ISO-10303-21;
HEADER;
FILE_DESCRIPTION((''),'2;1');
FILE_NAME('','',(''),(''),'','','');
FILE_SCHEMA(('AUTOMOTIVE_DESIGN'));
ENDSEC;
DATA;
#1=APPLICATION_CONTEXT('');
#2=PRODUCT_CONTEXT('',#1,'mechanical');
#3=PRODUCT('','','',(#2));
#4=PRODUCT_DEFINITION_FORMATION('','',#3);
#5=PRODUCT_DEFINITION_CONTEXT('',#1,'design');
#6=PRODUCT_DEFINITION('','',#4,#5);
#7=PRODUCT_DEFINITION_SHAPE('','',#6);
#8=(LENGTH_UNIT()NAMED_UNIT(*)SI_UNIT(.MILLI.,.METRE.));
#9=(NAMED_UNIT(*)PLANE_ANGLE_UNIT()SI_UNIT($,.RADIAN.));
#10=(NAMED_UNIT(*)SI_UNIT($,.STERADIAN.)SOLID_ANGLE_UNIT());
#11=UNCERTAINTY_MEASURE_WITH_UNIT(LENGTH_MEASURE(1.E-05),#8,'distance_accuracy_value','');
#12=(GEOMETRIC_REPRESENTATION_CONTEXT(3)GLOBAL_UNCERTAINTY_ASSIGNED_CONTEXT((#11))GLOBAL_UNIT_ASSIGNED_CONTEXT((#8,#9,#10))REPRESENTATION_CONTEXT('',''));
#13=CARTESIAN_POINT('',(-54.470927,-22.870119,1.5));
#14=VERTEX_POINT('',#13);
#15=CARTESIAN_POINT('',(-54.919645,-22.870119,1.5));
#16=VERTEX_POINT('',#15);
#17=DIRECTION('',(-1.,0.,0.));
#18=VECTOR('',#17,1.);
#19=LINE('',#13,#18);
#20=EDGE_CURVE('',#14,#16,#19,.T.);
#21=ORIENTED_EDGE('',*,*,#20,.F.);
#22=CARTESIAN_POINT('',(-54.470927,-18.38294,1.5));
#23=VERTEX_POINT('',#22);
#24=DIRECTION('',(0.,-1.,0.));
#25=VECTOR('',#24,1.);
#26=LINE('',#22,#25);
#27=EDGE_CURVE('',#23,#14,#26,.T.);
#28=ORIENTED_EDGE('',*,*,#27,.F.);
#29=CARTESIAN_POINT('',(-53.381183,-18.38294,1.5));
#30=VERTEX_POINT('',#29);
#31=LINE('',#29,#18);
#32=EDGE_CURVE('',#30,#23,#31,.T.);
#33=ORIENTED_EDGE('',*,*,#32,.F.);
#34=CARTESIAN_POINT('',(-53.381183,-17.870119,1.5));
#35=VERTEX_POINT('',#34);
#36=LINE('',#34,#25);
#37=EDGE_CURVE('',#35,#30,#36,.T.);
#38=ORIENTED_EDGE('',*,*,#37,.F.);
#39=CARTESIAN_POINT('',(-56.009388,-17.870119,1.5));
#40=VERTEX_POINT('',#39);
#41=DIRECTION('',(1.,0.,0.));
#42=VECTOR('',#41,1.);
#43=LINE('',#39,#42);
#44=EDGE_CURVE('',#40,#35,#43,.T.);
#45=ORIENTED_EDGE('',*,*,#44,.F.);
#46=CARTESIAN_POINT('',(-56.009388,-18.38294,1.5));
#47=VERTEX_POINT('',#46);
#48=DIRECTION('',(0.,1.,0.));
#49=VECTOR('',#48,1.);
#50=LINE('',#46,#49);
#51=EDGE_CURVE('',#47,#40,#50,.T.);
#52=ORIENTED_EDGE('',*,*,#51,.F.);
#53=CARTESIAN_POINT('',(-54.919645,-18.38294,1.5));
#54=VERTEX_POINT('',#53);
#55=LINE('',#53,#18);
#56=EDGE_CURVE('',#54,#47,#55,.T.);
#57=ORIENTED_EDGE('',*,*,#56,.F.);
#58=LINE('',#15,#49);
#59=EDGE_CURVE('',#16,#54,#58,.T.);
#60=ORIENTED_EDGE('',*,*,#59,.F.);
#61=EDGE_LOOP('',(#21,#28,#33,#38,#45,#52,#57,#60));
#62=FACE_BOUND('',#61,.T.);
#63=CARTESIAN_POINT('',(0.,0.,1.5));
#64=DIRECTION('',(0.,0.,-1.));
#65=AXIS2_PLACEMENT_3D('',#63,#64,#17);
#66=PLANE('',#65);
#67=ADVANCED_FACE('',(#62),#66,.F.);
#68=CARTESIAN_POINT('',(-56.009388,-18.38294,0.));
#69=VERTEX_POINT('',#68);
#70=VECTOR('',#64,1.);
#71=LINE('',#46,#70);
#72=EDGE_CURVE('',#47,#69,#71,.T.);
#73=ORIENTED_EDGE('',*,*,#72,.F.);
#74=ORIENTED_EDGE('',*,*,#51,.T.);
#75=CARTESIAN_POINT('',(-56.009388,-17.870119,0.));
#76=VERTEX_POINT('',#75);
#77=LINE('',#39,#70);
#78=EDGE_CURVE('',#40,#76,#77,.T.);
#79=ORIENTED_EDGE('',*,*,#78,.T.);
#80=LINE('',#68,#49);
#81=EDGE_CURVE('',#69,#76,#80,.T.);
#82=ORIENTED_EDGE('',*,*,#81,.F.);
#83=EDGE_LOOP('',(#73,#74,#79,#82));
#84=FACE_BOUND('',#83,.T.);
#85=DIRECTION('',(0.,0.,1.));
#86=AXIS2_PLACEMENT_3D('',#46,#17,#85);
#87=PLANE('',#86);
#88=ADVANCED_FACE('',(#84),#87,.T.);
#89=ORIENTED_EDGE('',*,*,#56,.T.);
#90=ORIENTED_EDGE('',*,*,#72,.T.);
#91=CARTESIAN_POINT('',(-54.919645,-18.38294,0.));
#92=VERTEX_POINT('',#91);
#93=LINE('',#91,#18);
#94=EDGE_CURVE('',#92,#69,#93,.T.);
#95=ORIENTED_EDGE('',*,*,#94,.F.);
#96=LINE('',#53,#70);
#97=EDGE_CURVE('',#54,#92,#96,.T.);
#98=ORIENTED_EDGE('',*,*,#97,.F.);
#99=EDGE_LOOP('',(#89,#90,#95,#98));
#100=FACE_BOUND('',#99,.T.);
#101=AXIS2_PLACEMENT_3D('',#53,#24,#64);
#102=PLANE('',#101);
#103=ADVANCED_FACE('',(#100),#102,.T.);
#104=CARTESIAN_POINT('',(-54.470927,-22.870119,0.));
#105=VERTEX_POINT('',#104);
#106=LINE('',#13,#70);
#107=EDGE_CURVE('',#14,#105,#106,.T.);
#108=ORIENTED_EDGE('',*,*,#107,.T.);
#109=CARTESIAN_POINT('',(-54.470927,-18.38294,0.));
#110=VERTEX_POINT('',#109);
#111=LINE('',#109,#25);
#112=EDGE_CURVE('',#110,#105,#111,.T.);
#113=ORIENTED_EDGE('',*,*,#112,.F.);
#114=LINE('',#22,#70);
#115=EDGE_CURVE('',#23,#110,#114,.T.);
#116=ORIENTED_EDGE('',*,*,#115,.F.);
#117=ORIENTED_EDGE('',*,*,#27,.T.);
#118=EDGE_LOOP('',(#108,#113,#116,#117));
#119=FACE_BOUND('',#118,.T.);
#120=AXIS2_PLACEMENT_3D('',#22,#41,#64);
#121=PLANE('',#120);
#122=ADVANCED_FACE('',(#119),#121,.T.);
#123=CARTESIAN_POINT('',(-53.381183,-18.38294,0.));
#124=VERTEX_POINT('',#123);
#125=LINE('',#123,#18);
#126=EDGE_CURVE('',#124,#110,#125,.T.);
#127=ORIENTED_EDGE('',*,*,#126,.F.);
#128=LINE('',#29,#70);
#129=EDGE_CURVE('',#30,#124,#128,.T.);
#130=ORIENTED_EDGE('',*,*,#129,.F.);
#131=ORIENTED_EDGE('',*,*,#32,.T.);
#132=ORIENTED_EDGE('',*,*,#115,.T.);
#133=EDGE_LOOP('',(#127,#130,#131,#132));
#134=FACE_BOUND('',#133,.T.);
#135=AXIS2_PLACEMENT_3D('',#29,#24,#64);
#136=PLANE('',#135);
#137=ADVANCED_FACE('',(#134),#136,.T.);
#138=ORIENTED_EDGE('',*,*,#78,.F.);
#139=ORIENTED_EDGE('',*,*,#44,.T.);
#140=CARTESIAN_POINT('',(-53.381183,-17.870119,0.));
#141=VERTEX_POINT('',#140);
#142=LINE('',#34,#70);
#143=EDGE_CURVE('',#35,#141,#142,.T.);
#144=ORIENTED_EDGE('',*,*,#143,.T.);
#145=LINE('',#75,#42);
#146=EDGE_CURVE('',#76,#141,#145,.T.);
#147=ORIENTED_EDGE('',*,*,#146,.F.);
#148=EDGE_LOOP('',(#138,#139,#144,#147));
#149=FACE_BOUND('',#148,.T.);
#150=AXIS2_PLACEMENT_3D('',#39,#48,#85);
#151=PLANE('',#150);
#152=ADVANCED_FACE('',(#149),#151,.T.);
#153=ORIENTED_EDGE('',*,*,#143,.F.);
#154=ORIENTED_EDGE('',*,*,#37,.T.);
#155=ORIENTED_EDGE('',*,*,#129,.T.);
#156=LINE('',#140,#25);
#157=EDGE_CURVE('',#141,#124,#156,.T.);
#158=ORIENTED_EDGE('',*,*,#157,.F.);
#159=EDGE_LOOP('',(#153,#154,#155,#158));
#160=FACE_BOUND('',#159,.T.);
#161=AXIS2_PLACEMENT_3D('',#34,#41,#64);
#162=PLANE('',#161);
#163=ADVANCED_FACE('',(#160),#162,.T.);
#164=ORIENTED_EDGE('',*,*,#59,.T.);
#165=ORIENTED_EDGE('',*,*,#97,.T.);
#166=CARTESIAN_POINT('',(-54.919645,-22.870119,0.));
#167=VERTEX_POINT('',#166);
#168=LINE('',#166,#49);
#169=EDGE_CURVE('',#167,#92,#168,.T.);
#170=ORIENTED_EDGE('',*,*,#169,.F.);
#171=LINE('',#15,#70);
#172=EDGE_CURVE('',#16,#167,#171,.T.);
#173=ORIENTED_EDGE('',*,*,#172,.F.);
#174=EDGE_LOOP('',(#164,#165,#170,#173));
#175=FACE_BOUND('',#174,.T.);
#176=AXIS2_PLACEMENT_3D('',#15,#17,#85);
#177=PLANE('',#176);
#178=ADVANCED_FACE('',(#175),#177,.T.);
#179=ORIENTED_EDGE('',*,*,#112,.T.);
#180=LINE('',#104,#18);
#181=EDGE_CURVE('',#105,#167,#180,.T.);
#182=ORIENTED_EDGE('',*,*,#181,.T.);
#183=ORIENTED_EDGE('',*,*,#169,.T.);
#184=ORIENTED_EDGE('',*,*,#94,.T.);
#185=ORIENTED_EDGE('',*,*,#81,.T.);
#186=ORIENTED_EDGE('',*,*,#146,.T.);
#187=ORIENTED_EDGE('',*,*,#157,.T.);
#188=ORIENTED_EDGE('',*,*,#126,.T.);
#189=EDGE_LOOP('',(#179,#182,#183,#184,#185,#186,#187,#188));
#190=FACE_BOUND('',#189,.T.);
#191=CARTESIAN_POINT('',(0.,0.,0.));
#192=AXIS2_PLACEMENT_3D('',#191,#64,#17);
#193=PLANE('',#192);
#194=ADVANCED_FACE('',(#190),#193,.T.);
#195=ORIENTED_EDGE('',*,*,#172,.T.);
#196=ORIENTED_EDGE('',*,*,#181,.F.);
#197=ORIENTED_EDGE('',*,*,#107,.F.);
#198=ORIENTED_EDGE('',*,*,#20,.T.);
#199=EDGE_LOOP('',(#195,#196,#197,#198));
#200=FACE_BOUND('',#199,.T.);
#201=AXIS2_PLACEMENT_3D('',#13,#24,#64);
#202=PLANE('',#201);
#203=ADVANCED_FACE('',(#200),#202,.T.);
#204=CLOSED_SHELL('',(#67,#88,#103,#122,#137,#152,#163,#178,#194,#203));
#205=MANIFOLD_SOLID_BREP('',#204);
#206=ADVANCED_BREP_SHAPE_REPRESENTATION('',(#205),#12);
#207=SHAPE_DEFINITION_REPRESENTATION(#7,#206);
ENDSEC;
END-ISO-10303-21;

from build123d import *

# Parameters (mm, degrees)
BOSS_EXTRU_1_DEPTH = 1.5


with BuildPart() as part:
    # Esquisse1 → Boss.-Extru.1 (new body)
    with BuildSketch(Plane.XY):
        Polygon((-56.009388403, -18.382939589), (-56.009388403, -17.870119076), (-53.381183275, -17.870119076), (-53.381183275, -18.382939589), (-54.470926864, -18.382939589), (-54.470926864, -22.870119076), (-54.919644813, -22.870119076), (-54.919644813, -18.382939589), align=None)
    extrude(amount=BOSS_EXTRU_1_DEPTH)


solid = part.part
